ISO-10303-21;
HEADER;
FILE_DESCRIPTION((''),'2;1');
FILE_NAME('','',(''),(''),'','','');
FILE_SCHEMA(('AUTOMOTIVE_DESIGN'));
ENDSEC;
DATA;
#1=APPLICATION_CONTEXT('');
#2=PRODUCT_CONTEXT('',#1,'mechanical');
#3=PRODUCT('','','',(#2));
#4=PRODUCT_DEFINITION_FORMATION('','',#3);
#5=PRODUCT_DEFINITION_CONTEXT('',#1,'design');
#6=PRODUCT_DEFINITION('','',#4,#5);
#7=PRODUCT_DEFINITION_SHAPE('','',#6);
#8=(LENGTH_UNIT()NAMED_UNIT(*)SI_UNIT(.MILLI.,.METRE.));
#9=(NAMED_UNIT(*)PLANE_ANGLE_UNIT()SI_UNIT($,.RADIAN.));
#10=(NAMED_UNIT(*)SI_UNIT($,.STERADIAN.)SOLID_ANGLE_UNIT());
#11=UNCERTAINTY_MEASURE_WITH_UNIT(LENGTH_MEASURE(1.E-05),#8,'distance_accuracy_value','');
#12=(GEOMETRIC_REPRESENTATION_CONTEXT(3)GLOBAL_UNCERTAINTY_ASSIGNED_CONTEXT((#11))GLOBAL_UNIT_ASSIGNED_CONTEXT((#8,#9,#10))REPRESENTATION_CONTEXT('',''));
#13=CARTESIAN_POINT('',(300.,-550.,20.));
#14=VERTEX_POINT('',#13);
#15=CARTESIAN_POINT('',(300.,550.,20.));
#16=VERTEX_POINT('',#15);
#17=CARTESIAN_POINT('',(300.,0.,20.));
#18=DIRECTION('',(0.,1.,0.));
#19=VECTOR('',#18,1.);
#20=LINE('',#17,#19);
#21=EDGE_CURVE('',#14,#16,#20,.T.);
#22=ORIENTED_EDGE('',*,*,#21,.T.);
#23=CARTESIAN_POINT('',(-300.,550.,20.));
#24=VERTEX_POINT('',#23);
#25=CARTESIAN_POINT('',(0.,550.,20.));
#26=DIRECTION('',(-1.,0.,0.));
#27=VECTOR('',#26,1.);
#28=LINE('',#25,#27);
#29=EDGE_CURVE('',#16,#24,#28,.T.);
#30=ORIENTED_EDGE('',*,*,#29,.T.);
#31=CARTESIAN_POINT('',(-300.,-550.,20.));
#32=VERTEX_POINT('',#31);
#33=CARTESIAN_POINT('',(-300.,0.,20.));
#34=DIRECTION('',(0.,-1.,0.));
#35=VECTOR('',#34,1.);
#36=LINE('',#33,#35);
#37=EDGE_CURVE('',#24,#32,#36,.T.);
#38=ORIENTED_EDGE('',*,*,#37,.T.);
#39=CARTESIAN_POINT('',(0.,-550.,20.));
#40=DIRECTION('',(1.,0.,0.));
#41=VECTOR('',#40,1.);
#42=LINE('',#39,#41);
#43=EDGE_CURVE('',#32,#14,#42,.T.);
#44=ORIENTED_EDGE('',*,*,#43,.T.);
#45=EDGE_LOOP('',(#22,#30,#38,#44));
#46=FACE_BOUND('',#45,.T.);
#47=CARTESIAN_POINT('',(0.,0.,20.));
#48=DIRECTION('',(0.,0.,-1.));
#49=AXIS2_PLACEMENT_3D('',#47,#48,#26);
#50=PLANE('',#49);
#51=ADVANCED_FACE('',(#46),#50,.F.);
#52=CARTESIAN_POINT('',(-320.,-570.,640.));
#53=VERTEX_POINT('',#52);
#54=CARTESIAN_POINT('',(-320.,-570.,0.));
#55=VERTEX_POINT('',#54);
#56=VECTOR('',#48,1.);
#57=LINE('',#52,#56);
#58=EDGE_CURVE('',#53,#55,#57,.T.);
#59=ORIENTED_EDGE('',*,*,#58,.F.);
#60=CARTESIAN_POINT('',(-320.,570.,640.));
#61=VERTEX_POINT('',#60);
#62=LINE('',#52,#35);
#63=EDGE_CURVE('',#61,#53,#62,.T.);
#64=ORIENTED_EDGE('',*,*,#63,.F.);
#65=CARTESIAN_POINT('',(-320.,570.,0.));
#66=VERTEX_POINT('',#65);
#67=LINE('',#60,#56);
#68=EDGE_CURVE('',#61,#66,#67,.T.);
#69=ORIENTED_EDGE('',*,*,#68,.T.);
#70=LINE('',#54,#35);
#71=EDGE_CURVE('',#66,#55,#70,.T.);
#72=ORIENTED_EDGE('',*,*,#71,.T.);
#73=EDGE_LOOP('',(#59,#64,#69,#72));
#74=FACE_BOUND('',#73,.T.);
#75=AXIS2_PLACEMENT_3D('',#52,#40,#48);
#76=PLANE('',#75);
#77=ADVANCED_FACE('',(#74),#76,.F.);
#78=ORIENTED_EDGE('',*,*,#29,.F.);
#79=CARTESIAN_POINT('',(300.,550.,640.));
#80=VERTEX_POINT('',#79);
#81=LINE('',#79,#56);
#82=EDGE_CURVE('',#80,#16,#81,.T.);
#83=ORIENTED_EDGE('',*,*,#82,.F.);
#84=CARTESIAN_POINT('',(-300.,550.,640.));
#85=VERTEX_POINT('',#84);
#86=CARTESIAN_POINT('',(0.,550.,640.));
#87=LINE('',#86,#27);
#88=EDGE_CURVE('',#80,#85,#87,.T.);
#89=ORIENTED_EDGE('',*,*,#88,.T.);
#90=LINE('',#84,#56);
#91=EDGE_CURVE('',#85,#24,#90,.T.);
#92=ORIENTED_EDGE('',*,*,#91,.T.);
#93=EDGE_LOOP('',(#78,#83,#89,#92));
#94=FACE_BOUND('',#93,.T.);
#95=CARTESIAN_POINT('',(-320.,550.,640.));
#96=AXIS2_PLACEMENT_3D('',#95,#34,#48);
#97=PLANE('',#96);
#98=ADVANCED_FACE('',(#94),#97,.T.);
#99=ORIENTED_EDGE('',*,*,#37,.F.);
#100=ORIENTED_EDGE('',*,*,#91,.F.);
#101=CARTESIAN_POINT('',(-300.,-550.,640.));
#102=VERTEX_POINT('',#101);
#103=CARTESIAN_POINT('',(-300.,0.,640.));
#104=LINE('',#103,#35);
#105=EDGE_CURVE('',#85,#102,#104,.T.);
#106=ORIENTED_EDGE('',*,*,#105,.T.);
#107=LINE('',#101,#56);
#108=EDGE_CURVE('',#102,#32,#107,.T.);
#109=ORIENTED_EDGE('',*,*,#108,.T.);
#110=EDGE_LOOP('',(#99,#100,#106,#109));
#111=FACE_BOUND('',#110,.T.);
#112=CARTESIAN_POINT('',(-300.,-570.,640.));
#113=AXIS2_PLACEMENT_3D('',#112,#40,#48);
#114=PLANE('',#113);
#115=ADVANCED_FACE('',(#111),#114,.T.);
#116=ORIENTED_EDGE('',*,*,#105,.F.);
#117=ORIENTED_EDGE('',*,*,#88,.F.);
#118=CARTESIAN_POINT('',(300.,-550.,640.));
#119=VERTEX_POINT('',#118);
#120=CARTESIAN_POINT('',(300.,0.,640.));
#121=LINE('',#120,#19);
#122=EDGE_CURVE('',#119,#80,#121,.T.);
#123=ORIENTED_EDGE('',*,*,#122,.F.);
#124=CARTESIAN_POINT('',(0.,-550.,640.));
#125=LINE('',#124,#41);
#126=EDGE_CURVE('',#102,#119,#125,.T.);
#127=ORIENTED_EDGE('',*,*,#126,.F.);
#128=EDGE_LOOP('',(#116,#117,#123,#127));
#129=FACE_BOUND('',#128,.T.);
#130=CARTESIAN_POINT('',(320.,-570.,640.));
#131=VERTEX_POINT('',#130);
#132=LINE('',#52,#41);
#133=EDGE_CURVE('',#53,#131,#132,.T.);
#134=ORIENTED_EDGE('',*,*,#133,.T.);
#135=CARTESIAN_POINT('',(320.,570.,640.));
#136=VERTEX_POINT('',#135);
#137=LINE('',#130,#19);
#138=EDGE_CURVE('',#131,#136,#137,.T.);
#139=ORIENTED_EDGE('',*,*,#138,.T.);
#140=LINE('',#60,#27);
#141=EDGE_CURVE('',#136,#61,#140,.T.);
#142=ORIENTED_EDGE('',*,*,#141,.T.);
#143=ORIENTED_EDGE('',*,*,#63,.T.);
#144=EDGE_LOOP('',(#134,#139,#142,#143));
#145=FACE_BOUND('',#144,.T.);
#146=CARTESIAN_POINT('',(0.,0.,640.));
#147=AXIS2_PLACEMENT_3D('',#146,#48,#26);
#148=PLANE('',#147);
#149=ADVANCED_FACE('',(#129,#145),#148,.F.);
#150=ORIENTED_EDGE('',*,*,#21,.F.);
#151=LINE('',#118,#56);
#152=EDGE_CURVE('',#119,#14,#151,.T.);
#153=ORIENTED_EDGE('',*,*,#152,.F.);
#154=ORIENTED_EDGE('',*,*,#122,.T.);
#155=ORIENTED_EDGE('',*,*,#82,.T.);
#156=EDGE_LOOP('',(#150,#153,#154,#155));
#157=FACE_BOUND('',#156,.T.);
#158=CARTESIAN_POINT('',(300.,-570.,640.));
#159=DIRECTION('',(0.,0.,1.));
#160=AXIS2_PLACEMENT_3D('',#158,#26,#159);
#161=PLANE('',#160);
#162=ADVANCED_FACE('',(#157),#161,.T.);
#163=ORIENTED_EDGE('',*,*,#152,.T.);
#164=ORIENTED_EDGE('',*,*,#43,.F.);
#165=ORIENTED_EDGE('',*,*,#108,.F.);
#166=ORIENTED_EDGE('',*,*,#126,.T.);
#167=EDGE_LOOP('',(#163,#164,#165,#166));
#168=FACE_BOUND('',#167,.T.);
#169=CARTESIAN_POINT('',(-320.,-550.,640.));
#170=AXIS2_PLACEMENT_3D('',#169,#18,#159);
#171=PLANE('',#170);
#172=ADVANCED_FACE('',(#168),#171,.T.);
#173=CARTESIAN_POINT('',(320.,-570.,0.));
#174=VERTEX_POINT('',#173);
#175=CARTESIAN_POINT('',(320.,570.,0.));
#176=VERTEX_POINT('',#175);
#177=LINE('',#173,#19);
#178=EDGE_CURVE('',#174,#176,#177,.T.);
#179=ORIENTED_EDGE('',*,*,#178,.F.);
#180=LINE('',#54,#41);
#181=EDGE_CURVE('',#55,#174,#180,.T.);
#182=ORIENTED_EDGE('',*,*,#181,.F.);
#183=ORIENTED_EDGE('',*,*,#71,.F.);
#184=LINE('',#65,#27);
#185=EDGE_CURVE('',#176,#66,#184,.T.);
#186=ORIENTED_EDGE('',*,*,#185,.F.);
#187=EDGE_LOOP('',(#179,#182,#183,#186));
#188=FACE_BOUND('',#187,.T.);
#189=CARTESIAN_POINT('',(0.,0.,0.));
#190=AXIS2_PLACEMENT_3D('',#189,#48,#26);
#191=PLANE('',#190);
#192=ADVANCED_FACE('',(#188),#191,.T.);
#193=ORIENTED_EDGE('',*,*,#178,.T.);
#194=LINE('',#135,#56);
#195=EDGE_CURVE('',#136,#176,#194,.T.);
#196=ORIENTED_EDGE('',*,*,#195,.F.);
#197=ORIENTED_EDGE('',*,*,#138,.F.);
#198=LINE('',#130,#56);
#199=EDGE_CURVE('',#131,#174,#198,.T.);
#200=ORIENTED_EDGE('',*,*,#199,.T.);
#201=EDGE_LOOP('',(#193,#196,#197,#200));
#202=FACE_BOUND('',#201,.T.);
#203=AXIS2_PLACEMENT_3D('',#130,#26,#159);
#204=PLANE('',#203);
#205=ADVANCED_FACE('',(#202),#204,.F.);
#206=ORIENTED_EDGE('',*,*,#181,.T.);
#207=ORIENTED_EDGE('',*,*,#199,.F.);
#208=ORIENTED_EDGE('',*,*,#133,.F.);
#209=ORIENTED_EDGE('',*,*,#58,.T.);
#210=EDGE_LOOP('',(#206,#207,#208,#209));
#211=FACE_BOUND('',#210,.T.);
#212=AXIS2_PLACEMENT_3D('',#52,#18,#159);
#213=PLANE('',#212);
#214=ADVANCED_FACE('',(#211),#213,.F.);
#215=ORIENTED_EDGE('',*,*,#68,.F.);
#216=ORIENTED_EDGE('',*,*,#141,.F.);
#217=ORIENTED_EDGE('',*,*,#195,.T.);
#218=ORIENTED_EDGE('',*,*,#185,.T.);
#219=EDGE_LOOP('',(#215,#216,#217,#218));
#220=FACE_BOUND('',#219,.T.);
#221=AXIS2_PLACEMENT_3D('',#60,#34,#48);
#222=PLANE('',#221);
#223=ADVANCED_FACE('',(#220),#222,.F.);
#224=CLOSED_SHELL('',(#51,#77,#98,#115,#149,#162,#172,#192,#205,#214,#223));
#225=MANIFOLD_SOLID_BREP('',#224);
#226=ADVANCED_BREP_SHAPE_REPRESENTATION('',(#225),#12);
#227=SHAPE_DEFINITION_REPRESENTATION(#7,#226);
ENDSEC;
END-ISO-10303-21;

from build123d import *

# Parameters (mm, degrees)
SKETCH1_W           = 640
SKETCH1_H           = 1140
BOSS_EXTRUDE1_DEPTH = 640
SHELL1_T            = -20


with BuildPart() as part:
    # Sketch1 → Boss-Extrude1 (new body)
    with BuildSketch(Plane.XY):
        Rectangle(SKETCH1_W, SKETCH1_H)
    extrude(amount=BOSS_EXTRUDE1_DEPTH)

    # Shell1
    shell1_openings = [part.faces().sort_by_distance(p)[0] for p in [
        (0, 0, 640),
    ]]
    offset(amount=SHELL1_T, openings=shell1_openings, kind=Kind.INTERSECTION)


solid = part.part
